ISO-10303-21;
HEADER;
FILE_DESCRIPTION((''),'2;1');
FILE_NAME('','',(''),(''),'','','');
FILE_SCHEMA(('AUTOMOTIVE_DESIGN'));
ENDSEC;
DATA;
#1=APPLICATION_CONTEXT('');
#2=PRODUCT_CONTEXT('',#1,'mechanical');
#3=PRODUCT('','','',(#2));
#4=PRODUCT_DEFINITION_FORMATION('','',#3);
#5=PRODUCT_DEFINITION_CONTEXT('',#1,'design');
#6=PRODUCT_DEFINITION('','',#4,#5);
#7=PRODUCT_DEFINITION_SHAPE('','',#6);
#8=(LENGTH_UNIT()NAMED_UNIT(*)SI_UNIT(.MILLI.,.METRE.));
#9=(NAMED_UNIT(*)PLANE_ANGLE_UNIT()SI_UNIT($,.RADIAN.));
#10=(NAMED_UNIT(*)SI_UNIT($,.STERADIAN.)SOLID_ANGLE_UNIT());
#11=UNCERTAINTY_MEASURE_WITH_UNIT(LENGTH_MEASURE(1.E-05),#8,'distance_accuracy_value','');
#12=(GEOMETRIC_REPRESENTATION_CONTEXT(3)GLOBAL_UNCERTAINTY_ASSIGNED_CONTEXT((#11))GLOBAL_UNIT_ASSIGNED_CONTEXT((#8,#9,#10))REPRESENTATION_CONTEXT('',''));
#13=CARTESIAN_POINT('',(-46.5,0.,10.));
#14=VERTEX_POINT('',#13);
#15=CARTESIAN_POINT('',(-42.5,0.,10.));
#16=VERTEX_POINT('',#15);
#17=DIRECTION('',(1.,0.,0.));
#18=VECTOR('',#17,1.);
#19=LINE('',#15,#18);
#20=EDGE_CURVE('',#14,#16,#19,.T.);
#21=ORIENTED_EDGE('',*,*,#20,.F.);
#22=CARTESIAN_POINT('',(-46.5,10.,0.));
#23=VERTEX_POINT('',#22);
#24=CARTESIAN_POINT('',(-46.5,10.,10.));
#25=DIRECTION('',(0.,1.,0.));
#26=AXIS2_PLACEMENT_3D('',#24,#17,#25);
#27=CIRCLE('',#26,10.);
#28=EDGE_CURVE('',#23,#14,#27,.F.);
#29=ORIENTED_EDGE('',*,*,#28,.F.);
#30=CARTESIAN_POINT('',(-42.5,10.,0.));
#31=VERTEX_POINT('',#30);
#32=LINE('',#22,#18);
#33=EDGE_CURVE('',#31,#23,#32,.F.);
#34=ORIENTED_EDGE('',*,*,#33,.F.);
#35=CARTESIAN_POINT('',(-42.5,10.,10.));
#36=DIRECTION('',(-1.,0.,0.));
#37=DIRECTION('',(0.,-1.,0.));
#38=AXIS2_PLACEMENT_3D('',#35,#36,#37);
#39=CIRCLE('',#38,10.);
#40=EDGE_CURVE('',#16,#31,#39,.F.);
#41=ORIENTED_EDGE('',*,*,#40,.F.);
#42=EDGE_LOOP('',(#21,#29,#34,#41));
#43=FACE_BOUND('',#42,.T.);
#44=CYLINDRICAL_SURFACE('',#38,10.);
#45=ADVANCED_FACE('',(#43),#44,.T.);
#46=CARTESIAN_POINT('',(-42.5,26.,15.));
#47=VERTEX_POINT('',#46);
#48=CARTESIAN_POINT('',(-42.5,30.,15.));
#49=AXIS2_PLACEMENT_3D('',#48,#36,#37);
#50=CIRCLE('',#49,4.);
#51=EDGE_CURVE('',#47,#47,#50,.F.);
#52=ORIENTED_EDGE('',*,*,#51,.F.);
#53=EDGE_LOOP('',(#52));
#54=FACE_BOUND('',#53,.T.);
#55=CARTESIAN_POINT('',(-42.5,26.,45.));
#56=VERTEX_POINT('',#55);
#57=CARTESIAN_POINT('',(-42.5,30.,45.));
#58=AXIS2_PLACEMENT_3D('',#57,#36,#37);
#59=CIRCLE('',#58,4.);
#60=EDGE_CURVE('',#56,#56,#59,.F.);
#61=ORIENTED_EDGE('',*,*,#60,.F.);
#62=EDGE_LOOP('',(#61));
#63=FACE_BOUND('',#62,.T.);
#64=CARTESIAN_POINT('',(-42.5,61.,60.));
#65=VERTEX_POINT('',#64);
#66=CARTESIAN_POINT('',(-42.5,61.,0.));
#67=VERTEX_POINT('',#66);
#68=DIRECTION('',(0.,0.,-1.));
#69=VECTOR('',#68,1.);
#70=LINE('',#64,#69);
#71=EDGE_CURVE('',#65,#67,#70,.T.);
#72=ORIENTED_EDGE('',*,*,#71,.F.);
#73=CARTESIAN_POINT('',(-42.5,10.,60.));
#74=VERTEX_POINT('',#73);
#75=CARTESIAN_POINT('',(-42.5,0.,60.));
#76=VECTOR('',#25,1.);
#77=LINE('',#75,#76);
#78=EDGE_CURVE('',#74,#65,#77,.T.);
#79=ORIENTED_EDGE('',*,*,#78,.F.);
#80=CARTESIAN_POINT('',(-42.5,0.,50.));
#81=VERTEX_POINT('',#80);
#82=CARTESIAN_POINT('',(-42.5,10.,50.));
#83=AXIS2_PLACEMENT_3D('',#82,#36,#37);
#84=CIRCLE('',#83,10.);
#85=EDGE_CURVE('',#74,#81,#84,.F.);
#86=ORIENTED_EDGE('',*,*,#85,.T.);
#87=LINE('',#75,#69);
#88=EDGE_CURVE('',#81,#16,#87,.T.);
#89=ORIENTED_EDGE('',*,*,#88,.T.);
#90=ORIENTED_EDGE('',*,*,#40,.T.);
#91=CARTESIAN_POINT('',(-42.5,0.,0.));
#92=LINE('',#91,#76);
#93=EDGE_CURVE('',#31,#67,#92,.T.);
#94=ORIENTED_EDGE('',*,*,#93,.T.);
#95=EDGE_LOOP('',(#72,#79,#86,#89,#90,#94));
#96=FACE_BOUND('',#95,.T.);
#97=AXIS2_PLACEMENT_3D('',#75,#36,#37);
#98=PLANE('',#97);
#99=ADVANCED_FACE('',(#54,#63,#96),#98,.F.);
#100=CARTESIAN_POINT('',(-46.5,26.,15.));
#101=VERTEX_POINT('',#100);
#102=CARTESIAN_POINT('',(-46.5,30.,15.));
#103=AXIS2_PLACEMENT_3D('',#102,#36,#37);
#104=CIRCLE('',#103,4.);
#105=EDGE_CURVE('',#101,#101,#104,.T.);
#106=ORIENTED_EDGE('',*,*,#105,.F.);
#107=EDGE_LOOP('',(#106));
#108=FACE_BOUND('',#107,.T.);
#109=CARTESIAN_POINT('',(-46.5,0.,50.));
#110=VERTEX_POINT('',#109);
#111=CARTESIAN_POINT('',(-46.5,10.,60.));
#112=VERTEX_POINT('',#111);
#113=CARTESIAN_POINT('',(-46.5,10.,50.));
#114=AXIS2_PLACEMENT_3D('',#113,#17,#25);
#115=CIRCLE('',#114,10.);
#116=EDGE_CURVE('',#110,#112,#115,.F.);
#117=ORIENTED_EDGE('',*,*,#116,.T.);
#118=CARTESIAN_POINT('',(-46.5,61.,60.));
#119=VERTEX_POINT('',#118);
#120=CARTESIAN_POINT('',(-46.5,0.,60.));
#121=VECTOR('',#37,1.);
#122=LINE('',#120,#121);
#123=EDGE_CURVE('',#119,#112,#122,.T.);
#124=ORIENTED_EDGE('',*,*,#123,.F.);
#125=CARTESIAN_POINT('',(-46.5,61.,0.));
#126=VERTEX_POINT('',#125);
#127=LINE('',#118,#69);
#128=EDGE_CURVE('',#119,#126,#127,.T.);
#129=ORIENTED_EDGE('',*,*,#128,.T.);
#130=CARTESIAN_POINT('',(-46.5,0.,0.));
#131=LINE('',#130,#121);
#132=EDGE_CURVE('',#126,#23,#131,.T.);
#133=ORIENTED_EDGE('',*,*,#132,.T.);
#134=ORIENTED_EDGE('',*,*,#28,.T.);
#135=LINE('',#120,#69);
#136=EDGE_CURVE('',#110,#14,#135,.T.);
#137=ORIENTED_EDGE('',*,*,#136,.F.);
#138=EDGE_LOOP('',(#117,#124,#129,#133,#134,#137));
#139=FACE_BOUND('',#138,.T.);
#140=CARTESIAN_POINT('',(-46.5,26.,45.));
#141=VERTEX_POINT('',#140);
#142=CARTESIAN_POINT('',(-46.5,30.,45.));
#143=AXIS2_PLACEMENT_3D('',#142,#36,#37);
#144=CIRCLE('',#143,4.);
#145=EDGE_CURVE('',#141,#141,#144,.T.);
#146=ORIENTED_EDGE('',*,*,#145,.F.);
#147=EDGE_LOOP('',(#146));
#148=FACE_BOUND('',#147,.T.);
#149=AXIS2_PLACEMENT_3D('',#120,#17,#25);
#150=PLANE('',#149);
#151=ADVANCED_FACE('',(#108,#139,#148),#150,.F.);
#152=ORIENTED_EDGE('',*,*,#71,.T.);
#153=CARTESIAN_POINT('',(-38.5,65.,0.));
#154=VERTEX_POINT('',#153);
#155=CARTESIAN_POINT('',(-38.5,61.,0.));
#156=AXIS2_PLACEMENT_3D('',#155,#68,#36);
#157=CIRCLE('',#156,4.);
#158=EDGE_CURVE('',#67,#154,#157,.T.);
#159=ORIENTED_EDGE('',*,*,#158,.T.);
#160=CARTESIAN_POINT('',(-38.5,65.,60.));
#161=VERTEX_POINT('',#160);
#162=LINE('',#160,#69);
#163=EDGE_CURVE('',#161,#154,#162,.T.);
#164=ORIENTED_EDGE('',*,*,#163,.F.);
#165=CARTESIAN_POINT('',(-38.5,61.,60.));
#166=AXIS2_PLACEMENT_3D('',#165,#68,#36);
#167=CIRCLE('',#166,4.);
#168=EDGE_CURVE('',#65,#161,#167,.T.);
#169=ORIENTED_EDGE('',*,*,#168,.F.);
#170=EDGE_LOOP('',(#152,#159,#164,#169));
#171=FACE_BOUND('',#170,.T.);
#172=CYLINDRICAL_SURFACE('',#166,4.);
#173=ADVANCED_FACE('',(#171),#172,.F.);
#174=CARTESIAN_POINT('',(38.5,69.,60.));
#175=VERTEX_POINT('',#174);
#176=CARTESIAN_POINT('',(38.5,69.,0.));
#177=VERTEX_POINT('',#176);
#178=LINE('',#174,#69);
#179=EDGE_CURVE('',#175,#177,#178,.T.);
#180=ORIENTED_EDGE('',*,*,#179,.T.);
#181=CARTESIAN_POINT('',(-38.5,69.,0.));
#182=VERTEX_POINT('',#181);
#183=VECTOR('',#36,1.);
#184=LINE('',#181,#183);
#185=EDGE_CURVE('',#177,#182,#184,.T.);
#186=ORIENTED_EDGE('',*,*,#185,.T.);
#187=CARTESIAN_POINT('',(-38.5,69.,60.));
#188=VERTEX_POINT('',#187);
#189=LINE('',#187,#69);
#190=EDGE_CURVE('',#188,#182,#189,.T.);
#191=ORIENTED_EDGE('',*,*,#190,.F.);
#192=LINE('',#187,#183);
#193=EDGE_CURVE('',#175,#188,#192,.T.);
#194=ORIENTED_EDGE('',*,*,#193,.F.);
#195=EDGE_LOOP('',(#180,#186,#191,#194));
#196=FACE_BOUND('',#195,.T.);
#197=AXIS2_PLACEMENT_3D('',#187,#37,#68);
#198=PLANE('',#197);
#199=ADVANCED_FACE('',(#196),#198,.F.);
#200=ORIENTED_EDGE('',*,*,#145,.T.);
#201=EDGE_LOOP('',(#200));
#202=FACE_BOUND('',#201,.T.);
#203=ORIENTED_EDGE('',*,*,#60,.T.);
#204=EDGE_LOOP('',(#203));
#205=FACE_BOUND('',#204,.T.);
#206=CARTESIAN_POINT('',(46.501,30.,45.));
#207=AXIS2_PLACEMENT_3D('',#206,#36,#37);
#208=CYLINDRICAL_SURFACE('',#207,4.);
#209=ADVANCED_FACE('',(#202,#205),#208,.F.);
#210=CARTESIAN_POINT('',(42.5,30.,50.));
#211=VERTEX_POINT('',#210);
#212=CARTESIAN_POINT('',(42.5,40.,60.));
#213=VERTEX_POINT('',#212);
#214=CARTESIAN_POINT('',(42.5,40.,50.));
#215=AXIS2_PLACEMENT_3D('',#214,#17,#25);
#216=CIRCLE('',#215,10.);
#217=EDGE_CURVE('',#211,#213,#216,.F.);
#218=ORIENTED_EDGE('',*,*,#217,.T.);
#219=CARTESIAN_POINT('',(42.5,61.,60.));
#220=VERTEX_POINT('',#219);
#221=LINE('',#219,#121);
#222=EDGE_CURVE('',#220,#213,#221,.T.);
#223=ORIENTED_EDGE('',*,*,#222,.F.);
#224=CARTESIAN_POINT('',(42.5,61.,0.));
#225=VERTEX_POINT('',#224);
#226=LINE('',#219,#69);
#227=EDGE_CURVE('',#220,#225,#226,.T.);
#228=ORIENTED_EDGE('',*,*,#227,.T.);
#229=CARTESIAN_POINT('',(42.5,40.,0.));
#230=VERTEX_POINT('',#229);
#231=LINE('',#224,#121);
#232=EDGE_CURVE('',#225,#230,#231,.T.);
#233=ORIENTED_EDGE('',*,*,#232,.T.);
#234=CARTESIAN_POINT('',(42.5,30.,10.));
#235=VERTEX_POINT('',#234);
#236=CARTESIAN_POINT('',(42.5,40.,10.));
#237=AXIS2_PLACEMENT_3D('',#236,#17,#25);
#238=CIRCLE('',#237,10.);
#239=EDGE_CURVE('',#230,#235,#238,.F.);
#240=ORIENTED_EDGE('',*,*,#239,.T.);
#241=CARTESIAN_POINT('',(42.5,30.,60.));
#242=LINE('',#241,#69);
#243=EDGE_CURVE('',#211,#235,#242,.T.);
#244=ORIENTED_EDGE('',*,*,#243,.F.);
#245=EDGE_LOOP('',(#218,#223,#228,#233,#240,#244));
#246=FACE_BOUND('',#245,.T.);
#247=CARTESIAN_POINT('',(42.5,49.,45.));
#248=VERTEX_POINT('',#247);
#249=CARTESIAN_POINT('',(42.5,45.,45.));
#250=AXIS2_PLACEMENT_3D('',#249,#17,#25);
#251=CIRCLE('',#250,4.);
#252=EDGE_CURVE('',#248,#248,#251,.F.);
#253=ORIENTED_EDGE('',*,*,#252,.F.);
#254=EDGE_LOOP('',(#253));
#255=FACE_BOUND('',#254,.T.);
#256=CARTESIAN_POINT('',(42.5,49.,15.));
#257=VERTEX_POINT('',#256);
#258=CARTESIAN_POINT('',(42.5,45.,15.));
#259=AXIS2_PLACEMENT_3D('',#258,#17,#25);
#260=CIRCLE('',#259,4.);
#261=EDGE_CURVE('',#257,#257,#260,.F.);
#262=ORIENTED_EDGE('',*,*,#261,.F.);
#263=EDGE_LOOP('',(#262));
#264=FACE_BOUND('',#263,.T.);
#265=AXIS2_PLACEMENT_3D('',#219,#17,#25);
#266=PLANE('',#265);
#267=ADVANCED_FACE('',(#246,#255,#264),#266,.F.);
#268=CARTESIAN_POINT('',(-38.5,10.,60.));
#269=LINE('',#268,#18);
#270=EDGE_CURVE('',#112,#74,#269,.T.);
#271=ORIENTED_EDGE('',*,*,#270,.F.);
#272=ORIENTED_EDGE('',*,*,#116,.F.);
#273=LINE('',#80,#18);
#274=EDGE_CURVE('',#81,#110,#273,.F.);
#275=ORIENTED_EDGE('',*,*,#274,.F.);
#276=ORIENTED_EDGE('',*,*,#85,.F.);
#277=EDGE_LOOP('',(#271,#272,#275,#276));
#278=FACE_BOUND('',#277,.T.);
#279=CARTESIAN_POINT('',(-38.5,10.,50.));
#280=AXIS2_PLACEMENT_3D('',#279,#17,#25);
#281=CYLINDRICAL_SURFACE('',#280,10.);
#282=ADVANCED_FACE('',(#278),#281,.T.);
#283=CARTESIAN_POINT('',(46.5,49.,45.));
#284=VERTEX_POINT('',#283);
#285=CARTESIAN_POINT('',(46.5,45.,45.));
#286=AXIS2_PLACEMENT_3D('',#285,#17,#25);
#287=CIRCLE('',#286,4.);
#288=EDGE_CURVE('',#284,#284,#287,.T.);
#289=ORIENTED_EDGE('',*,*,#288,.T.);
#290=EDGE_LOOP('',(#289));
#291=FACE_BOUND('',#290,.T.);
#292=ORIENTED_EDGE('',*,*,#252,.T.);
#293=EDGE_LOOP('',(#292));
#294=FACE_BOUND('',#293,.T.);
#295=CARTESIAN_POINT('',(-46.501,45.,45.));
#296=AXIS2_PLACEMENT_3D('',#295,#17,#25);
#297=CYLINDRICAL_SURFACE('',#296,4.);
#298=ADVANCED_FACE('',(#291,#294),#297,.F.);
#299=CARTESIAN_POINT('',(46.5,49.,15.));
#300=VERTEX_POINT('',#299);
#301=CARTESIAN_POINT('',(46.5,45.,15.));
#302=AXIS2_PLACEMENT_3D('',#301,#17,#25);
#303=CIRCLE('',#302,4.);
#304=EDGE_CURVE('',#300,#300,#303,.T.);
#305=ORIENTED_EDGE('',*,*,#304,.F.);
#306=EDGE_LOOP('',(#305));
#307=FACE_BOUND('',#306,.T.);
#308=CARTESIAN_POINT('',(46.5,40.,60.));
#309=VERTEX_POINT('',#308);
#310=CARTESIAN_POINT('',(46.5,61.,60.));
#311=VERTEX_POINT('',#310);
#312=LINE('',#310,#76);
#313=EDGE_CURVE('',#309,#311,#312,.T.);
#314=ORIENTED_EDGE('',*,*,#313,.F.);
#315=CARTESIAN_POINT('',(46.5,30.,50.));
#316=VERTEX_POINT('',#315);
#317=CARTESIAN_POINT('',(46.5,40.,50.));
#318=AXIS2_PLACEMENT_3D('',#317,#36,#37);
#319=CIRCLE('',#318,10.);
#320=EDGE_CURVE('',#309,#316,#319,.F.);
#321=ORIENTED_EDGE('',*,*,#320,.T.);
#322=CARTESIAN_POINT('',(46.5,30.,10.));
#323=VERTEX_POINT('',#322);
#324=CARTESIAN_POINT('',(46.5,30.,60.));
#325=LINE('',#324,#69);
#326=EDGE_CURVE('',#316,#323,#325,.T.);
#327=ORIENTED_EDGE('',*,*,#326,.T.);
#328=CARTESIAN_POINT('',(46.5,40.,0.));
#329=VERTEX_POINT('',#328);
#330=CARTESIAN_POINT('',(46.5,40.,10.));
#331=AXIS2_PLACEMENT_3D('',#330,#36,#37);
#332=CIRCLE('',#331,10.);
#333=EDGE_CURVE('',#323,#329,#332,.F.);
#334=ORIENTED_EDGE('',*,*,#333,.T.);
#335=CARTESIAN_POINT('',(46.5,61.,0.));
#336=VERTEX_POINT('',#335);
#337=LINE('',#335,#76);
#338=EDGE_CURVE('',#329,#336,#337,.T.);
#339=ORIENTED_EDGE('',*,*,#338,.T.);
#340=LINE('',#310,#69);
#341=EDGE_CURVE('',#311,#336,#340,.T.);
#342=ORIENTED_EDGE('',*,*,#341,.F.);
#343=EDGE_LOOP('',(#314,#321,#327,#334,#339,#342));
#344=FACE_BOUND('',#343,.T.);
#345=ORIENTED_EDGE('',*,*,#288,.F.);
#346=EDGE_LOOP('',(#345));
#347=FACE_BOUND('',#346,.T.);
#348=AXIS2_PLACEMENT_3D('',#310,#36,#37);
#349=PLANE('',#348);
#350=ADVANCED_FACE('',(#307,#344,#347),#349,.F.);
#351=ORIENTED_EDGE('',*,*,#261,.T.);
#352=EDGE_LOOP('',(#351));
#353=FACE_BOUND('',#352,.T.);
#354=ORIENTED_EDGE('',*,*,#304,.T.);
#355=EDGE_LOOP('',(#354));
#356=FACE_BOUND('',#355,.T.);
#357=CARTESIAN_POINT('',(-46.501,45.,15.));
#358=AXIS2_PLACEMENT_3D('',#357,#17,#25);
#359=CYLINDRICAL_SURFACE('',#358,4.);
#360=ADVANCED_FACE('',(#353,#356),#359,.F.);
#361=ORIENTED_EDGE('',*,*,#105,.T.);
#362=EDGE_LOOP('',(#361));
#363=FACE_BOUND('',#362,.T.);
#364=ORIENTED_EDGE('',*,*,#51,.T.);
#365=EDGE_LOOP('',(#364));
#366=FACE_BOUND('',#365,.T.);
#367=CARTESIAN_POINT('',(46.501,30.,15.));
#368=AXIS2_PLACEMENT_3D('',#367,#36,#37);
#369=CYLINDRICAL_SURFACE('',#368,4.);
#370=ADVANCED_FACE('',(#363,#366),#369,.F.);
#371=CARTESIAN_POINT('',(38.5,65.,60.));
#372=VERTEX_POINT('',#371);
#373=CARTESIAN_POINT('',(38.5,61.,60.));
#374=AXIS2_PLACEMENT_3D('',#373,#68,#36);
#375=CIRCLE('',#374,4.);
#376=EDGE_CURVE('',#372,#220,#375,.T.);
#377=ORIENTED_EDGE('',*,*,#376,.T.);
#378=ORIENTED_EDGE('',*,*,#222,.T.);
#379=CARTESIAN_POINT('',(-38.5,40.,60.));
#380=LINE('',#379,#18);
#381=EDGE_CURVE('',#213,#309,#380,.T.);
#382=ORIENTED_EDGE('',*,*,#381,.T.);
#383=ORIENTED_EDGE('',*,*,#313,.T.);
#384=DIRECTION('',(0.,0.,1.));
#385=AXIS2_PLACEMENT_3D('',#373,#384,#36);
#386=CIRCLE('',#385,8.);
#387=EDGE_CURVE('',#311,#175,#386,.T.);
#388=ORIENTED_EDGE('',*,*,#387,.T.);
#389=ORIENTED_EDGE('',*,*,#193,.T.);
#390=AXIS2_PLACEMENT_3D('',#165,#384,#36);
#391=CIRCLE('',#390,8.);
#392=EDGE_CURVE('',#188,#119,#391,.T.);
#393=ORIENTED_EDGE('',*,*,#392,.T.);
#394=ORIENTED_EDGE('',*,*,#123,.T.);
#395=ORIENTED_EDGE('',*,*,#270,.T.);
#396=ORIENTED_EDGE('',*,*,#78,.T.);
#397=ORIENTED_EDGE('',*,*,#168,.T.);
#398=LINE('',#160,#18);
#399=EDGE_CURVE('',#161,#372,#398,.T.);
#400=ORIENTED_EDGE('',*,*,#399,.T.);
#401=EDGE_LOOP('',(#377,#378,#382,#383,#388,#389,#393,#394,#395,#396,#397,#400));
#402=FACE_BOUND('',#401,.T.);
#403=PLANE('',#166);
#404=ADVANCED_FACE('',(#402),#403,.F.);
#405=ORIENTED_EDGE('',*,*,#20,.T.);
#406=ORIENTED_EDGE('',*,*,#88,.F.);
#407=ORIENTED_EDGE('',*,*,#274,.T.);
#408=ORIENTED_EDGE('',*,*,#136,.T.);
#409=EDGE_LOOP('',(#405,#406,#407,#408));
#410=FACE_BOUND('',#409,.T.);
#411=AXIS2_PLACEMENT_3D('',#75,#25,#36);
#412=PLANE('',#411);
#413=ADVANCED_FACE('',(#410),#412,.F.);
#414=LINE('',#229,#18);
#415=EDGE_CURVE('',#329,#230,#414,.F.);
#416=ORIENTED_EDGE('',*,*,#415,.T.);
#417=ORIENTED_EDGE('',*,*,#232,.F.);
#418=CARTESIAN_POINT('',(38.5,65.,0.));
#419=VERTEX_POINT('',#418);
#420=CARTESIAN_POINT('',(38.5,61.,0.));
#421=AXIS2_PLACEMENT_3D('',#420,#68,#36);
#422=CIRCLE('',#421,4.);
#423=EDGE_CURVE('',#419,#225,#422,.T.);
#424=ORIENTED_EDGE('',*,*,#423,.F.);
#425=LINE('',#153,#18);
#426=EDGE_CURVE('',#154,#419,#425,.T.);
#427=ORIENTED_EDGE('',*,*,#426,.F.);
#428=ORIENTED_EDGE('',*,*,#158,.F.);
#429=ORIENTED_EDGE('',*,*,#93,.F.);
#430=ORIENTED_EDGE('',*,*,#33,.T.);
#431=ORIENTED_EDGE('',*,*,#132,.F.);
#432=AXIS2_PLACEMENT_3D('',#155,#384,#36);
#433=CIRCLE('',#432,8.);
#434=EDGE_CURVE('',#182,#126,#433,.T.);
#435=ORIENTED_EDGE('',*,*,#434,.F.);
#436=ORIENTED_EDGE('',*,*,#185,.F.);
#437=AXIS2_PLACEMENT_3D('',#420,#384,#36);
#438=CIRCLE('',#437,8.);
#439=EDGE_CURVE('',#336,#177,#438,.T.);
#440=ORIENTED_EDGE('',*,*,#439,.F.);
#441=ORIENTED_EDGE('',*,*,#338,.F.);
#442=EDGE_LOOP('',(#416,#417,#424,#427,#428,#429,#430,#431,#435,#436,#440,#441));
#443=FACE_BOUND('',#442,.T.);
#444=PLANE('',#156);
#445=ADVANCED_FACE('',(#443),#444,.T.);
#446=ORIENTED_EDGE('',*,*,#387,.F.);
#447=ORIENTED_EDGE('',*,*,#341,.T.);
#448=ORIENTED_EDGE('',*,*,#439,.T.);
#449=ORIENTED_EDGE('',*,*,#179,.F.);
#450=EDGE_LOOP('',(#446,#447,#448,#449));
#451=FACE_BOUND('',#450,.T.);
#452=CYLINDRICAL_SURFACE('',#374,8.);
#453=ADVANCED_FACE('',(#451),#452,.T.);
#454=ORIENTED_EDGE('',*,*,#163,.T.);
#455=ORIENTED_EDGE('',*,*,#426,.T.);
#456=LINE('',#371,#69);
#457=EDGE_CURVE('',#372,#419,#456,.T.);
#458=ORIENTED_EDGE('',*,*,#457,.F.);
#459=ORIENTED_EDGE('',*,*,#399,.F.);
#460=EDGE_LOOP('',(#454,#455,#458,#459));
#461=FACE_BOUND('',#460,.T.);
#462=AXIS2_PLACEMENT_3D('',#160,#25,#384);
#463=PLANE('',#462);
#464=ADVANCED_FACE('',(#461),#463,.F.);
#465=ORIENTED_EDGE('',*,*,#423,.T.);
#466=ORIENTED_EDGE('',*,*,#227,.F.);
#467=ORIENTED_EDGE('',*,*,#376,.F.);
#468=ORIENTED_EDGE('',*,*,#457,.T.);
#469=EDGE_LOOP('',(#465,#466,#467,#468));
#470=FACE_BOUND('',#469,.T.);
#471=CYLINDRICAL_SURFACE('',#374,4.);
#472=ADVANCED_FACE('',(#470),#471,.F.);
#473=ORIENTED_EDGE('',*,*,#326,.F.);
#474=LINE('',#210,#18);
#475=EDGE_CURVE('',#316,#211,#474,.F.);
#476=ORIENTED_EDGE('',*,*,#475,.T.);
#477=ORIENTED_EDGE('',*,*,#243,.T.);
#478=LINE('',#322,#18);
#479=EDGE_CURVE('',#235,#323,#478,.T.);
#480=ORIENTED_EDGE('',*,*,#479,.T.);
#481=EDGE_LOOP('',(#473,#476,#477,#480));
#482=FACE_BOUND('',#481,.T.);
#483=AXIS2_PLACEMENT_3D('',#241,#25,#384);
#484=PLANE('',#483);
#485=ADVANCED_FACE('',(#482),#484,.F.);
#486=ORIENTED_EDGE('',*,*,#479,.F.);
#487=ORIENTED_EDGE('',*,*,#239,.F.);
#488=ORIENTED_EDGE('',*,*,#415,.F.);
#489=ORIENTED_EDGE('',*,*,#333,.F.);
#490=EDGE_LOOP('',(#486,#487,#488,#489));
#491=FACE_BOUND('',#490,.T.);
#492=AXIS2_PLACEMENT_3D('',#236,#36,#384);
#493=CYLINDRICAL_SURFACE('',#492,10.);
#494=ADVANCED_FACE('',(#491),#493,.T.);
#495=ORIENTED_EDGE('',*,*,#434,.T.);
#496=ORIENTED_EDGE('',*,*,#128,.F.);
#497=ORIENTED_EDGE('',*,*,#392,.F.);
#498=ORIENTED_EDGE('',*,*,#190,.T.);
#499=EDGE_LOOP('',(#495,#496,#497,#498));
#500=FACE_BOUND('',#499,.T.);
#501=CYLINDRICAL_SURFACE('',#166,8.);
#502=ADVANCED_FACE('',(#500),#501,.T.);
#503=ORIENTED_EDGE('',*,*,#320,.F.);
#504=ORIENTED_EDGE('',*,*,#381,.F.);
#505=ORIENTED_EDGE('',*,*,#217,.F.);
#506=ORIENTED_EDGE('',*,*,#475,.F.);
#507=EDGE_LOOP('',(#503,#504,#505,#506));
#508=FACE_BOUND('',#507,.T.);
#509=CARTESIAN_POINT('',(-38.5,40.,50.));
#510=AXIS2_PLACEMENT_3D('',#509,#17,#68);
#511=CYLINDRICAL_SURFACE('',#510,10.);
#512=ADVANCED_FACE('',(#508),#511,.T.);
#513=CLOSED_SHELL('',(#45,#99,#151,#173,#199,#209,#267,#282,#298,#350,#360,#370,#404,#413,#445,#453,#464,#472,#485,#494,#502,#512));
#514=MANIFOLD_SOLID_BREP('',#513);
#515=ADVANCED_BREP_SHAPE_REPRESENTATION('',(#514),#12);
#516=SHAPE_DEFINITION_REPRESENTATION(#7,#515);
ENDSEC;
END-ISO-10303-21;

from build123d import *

# Parameters (mm, degrees)
EXTRUDE_1_DEPTH     = 60
CUT_EXTRUDE_1_REACH = 95
SKETCH_2_R          = 4
FILLET_1_R          = 10
CUT_EXTRUDE_2_REACH = 95
SKETCH_3_R          = 4


with BuildPart() as part:
    # 草图1 → 凸台-拉伸1 (new body)
    with BuildSketch(Plane.XY):
        with BuildLine():
            Line((-42.5, 0), (-42.5, 61))
            ThreePointArc((-42.5, 61), (-41.328427125, 63.828427125), (-38.5, 65))
            Line((-38.5, 65), (38.5, 65))
            ThreePointArc((38.5, 65), (41.328427125, 63.828427125), (42.5, 61))
            Line((42.5, 61), (42.5, 30))
            Line((42.5, 30), (46.5, 30))
            Line((46.5, 30), (46.5, 61))
            ThreePointArc((46.5, 61), (44.156854249, 66.656854249), (38.5, 69))
            Line((38.5, 69), (-38.5, 69))
            ThreePointArc((-38.5, 69), (-44.156854249, 66.656854249), (-46.5, 61))
            Line((-46.5, 61), (-46.5, 0))
            Line((-46.5, 0), (-42.5, 0))
        make_face()
    extrude(amount=EXTRUDE_1_DEPTH)

    # 草图2 → 切除-拉伸1 (cut, up to next)
    with BuildSketch(Plane.ZY.offset(46.5), mode=Mode.PRIVATE) as cut_extrude_1_sk1:
        with Locations((15, 30)):
            Circle(SKETCH_2_R)
    cut_extrude_1_tool1 = extrude(cut_extrude_1_sk1.sketch, amount=-CUT_EXTRUDE_1_REACH, mode=Mode.PRIVATE) & part.part
    add(cut_extrude_1_tool1.solids().sort_by_distance((-46.5, 30, 15))[0], mode=Mode.SUBTRACT)
    # 草图2 → 切除-拉伸1 (cut, up to next)
    with BuildSketch(Plane.ZY.offset(46.5), mode=Mode.PRIVATE) as cut_extrude_1_sk2:
        with Locations((45, 30)):
            Circle(SKETCH_2_R)
    cut_extrude_1_tool2 = extrude(cut_extrude_1_sk2.sketch, amount=-CUT_EXTRUDE_1_REACH, mode=Mode.PRIVATE) & part.part
    add(cut_extrude_1_tool2.solids().sort_by_distance((-46.5, 30, 45))[0], mode=Mode.SUBTRACT)

    # 圆角1
    fillet_1_edges = [part.edges().sort_by_distance(p)[0] for p in [
        (44.5, 30, 0),
        (-44.5, 0, 0),
        (44.5, 30, 60),
        (-44.5, 0, 60),
    ]]
    fillet(fillet_1_edges, radius=FILLET_1_R)

    # 草图3 → 切除-拉伸2 (cut, up to next)
    with BuildSketch(Plane(origin=(46.5, 0, 0), x_dir=(0, 0, -1), z_dir=(1, 0, 0)), mode=Mode.PRIVATE) as cut_extrude_2_sk1:
        with Locations((-45, 45)):
            Circle(SKETCH_3_R)
    cut_extrude_2_tool1 = extrude(cut_extrude_2_sk1.sketch, amount=-CUT_EXTRUDE_2_REACH, mode=Mode.PRIVATE) & part.part
    add(cut_extrude_2_tool1.solids().sort_by_distance((46.5, 45, 45))[0], mode=Mode.SUBTRACT)
    # 草图3 → 切除-拉伸2 (cut, up to next)
    with BuildSketch(Plane(origin=(46.5, 0, 0), x_dir=(0, 0, -1), z_dir=(1, 0, 0)), mode=Mode.PRIVATE) as cut_extrude_2_sk2:
        with Locations((-15, 45)):
            Circle(SKETCH_3_R)
    cut_extrude_2_tool2 = extrude(cut_extrude_2_sk2.sketch, amount=-CUT_EXTRUDE_2_REACH, mode=Mode.PRIVATE) & part.part
    add(cut_extrude_2_tool2.solids().sort_by_distance((46.5, 45, 15))[0], mode=Mode.SUBTRACT)


solid = part.part
